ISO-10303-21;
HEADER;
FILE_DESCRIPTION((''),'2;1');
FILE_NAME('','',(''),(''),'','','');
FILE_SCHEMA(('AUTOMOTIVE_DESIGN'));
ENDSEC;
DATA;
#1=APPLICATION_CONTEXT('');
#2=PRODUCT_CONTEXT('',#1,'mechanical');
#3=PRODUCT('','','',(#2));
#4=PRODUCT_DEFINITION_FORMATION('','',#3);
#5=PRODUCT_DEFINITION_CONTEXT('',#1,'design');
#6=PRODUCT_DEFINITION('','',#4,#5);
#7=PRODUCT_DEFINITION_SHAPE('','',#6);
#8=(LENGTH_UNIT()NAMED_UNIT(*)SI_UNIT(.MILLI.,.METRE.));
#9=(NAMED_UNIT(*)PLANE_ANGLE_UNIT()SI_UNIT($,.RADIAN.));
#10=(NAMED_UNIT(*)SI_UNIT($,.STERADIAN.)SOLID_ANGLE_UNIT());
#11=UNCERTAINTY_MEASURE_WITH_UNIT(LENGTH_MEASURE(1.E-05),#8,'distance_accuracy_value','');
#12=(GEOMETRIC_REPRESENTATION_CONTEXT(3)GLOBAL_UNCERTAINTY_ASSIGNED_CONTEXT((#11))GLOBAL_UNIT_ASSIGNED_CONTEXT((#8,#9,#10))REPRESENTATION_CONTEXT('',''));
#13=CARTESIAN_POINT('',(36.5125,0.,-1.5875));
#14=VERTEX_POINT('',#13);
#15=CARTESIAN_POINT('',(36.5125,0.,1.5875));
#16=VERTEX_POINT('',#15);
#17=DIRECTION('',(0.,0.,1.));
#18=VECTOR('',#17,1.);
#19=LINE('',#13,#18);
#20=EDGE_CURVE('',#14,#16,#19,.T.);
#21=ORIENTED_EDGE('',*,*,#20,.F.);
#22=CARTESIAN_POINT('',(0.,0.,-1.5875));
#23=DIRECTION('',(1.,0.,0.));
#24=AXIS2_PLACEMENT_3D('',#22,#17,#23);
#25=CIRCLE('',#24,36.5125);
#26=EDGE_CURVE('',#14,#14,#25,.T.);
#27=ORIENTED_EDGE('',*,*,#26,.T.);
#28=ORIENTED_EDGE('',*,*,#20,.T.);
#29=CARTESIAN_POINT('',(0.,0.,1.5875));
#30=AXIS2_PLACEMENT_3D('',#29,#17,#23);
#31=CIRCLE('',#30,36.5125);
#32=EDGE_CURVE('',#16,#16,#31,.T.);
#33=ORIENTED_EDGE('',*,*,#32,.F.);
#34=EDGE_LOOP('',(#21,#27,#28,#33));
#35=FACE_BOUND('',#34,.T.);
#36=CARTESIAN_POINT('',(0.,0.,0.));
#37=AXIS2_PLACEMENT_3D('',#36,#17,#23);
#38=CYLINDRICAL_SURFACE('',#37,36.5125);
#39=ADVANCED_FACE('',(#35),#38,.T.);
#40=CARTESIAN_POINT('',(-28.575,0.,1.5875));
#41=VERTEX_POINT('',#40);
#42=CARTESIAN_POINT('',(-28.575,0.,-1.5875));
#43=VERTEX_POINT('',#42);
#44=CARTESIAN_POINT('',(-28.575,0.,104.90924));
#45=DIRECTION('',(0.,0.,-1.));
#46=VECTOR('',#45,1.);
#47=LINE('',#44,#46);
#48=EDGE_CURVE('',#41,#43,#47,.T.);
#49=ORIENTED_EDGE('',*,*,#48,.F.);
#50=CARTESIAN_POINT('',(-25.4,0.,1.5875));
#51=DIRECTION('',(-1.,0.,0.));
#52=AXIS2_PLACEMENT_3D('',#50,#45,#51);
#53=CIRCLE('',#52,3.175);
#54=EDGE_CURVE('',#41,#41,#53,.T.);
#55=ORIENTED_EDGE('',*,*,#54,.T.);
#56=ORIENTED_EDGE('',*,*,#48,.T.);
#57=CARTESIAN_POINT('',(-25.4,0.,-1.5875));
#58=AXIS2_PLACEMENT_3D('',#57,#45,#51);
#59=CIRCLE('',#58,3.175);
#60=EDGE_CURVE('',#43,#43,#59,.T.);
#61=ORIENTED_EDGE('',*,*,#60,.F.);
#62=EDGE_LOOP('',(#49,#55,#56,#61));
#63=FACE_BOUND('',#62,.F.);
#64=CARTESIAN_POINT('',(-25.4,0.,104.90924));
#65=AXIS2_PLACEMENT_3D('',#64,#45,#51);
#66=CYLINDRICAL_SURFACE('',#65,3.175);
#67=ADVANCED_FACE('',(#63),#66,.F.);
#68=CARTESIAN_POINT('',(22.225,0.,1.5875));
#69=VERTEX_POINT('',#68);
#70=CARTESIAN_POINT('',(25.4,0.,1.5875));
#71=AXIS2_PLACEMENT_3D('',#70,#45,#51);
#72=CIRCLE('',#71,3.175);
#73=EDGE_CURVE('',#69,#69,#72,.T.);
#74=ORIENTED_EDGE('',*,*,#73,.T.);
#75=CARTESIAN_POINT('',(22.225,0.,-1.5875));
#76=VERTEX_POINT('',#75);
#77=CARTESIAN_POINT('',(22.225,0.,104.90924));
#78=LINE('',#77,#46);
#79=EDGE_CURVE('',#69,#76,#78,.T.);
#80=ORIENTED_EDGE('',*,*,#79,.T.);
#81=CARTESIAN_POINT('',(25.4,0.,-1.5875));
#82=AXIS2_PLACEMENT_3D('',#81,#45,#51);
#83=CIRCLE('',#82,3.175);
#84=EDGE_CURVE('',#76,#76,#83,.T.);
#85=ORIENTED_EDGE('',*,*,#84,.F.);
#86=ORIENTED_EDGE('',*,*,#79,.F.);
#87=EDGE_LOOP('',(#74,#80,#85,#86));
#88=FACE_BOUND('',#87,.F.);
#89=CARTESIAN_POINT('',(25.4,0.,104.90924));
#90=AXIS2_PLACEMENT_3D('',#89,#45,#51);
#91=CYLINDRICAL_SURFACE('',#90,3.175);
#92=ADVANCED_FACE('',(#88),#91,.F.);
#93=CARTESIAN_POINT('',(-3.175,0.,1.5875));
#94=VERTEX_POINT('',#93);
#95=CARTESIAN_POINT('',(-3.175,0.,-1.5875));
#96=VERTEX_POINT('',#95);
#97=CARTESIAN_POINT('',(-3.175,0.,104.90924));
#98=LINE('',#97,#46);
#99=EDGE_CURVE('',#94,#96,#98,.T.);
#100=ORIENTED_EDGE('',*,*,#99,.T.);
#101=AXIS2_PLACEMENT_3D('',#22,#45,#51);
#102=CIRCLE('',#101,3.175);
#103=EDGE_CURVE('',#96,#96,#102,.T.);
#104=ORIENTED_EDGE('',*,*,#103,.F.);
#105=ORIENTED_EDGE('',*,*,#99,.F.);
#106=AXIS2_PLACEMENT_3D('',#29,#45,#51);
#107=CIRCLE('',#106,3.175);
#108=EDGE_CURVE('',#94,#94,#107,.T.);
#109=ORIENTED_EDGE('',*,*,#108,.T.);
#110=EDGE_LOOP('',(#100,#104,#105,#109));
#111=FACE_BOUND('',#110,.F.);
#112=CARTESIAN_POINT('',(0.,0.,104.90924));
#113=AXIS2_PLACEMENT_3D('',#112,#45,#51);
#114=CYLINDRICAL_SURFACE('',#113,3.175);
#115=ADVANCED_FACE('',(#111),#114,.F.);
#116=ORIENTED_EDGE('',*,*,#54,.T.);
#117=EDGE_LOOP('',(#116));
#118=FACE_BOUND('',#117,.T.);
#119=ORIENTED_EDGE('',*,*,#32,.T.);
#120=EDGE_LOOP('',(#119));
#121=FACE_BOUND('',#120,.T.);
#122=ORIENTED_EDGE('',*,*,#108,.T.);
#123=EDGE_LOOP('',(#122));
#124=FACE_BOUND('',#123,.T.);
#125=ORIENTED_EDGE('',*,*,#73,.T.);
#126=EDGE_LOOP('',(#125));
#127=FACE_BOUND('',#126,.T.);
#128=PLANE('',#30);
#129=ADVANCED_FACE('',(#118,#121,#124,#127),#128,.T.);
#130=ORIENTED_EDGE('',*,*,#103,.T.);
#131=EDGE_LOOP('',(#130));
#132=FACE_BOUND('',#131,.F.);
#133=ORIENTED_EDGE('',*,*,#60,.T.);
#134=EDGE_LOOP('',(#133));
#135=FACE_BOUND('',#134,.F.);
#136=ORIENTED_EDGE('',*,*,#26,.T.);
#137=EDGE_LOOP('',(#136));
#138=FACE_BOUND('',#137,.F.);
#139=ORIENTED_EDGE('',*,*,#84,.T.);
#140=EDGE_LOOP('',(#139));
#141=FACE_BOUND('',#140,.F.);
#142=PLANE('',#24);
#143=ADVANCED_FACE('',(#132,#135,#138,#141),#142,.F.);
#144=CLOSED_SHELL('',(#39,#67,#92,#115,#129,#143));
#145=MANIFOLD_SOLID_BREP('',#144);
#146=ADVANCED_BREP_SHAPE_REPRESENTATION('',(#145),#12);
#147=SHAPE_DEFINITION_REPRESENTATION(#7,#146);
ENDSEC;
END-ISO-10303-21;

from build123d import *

# Parameters (mm, degrees)
SKETCH1_R                   = 36.5125
BOSS_EXTRUDE1_DEPTH         = 1.5875
F_1_4_0_25_DIAMETER_HOLE1_D = 6.35


with BuildPart() as part:
    # Sketch1 → Boss-Extrude1 (new body, symmetric)
    with BuildSketch(Plane.XY):
        Circle(SKETCH1_R)
    extrude(amount=BOSS_EXTRUDE1_DEPTH, both=True)

    # 1/4 (0.25) Diameter Hole1 (through all)
    with Locations(Plane.XY.offset(1.5875)):
        with Locations((-25.4, 0), (0, 0), (25.4, 0)):
            Hole(F_1_4_0_25_DIAMETER_HOLE1_D / 2)


solid = part.part
